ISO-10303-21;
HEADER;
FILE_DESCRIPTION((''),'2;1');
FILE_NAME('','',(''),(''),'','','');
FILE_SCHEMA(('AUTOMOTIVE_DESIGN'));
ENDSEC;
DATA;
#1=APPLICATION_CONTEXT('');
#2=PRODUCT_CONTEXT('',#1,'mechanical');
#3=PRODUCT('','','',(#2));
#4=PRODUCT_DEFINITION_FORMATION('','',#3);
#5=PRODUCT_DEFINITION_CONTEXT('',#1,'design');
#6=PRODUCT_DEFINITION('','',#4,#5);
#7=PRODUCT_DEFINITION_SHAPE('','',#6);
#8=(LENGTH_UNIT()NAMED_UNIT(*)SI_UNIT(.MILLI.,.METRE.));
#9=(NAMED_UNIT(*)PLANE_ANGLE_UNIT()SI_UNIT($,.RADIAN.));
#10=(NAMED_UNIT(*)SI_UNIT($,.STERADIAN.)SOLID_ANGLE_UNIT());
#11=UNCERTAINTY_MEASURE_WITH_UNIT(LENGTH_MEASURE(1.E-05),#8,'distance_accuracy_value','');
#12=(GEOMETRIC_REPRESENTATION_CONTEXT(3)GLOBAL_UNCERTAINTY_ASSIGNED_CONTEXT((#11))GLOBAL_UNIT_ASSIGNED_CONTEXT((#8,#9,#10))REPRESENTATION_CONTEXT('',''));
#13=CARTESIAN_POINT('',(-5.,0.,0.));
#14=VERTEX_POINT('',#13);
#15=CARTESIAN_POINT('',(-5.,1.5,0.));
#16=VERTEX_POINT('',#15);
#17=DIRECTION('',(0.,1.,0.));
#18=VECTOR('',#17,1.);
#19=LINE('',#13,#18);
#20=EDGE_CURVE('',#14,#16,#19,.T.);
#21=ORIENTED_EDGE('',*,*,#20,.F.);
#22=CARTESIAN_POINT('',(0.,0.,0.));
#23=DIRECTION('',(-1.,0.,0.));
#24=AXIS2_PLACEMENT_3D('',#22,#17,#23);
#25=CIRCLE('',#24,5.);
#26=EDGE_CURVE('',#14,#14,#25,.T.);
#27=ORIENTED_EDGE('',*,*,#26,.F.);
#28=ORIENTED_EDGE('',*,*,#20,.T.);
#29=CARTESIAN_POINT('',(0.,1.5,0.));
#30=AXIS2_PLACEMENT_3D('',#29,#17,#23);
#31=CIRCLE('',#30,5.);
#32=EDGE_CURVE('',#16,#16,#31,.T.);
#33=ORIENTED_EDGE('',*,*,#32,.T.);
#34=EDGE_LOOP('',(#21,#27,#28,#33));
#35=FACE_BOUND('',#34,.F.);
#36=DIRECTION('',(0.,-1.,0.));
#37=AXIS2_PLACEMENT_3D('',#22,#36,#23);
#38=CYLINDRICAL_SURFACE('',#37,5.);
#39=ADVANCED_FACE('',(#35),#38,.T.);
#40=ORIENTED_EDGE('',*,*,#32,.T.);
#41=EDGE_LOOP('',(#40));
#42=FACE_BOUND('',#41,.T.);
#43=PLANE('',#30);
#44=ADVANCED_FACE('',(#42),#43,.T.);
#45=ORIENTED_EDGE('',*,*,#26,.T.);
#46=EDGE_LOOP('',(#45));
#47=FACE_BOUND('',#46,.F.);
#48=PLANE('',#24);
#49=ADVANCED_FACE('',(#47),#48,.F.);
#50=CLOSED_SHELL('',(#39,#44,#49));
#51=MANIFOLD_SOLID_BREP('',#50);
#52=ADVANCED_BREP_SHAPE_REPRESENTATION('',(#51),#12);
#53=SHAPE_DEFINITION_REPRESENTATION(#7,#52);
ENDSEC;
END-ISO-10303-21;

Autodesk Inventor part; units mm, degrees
ref_plane "YZ Plane" through (0, 0, 0) normal (1, 0, 0) x (0, 1, 0)
ref_plane "XZ Plane" through (0, 0, 0) normal (0, 1, 0) x (-1, 0, 0)
ref_plane "XY Plane" through (0, 0, 0) normal (0, 0, 1) x (1, 0, 0)
sketch "Sketch1" plane through (0, 0, 0) normal (0, 1, 0) x (-1, 0, 0)
  circle A0 centre (0, 0) radius 5
  dimension "d0" = 10
extrude "Extrusion1" add sketch "Sketch1" along normal blind 1.5
properties part number "Magnet_10mm" material "Stainless Steel"
